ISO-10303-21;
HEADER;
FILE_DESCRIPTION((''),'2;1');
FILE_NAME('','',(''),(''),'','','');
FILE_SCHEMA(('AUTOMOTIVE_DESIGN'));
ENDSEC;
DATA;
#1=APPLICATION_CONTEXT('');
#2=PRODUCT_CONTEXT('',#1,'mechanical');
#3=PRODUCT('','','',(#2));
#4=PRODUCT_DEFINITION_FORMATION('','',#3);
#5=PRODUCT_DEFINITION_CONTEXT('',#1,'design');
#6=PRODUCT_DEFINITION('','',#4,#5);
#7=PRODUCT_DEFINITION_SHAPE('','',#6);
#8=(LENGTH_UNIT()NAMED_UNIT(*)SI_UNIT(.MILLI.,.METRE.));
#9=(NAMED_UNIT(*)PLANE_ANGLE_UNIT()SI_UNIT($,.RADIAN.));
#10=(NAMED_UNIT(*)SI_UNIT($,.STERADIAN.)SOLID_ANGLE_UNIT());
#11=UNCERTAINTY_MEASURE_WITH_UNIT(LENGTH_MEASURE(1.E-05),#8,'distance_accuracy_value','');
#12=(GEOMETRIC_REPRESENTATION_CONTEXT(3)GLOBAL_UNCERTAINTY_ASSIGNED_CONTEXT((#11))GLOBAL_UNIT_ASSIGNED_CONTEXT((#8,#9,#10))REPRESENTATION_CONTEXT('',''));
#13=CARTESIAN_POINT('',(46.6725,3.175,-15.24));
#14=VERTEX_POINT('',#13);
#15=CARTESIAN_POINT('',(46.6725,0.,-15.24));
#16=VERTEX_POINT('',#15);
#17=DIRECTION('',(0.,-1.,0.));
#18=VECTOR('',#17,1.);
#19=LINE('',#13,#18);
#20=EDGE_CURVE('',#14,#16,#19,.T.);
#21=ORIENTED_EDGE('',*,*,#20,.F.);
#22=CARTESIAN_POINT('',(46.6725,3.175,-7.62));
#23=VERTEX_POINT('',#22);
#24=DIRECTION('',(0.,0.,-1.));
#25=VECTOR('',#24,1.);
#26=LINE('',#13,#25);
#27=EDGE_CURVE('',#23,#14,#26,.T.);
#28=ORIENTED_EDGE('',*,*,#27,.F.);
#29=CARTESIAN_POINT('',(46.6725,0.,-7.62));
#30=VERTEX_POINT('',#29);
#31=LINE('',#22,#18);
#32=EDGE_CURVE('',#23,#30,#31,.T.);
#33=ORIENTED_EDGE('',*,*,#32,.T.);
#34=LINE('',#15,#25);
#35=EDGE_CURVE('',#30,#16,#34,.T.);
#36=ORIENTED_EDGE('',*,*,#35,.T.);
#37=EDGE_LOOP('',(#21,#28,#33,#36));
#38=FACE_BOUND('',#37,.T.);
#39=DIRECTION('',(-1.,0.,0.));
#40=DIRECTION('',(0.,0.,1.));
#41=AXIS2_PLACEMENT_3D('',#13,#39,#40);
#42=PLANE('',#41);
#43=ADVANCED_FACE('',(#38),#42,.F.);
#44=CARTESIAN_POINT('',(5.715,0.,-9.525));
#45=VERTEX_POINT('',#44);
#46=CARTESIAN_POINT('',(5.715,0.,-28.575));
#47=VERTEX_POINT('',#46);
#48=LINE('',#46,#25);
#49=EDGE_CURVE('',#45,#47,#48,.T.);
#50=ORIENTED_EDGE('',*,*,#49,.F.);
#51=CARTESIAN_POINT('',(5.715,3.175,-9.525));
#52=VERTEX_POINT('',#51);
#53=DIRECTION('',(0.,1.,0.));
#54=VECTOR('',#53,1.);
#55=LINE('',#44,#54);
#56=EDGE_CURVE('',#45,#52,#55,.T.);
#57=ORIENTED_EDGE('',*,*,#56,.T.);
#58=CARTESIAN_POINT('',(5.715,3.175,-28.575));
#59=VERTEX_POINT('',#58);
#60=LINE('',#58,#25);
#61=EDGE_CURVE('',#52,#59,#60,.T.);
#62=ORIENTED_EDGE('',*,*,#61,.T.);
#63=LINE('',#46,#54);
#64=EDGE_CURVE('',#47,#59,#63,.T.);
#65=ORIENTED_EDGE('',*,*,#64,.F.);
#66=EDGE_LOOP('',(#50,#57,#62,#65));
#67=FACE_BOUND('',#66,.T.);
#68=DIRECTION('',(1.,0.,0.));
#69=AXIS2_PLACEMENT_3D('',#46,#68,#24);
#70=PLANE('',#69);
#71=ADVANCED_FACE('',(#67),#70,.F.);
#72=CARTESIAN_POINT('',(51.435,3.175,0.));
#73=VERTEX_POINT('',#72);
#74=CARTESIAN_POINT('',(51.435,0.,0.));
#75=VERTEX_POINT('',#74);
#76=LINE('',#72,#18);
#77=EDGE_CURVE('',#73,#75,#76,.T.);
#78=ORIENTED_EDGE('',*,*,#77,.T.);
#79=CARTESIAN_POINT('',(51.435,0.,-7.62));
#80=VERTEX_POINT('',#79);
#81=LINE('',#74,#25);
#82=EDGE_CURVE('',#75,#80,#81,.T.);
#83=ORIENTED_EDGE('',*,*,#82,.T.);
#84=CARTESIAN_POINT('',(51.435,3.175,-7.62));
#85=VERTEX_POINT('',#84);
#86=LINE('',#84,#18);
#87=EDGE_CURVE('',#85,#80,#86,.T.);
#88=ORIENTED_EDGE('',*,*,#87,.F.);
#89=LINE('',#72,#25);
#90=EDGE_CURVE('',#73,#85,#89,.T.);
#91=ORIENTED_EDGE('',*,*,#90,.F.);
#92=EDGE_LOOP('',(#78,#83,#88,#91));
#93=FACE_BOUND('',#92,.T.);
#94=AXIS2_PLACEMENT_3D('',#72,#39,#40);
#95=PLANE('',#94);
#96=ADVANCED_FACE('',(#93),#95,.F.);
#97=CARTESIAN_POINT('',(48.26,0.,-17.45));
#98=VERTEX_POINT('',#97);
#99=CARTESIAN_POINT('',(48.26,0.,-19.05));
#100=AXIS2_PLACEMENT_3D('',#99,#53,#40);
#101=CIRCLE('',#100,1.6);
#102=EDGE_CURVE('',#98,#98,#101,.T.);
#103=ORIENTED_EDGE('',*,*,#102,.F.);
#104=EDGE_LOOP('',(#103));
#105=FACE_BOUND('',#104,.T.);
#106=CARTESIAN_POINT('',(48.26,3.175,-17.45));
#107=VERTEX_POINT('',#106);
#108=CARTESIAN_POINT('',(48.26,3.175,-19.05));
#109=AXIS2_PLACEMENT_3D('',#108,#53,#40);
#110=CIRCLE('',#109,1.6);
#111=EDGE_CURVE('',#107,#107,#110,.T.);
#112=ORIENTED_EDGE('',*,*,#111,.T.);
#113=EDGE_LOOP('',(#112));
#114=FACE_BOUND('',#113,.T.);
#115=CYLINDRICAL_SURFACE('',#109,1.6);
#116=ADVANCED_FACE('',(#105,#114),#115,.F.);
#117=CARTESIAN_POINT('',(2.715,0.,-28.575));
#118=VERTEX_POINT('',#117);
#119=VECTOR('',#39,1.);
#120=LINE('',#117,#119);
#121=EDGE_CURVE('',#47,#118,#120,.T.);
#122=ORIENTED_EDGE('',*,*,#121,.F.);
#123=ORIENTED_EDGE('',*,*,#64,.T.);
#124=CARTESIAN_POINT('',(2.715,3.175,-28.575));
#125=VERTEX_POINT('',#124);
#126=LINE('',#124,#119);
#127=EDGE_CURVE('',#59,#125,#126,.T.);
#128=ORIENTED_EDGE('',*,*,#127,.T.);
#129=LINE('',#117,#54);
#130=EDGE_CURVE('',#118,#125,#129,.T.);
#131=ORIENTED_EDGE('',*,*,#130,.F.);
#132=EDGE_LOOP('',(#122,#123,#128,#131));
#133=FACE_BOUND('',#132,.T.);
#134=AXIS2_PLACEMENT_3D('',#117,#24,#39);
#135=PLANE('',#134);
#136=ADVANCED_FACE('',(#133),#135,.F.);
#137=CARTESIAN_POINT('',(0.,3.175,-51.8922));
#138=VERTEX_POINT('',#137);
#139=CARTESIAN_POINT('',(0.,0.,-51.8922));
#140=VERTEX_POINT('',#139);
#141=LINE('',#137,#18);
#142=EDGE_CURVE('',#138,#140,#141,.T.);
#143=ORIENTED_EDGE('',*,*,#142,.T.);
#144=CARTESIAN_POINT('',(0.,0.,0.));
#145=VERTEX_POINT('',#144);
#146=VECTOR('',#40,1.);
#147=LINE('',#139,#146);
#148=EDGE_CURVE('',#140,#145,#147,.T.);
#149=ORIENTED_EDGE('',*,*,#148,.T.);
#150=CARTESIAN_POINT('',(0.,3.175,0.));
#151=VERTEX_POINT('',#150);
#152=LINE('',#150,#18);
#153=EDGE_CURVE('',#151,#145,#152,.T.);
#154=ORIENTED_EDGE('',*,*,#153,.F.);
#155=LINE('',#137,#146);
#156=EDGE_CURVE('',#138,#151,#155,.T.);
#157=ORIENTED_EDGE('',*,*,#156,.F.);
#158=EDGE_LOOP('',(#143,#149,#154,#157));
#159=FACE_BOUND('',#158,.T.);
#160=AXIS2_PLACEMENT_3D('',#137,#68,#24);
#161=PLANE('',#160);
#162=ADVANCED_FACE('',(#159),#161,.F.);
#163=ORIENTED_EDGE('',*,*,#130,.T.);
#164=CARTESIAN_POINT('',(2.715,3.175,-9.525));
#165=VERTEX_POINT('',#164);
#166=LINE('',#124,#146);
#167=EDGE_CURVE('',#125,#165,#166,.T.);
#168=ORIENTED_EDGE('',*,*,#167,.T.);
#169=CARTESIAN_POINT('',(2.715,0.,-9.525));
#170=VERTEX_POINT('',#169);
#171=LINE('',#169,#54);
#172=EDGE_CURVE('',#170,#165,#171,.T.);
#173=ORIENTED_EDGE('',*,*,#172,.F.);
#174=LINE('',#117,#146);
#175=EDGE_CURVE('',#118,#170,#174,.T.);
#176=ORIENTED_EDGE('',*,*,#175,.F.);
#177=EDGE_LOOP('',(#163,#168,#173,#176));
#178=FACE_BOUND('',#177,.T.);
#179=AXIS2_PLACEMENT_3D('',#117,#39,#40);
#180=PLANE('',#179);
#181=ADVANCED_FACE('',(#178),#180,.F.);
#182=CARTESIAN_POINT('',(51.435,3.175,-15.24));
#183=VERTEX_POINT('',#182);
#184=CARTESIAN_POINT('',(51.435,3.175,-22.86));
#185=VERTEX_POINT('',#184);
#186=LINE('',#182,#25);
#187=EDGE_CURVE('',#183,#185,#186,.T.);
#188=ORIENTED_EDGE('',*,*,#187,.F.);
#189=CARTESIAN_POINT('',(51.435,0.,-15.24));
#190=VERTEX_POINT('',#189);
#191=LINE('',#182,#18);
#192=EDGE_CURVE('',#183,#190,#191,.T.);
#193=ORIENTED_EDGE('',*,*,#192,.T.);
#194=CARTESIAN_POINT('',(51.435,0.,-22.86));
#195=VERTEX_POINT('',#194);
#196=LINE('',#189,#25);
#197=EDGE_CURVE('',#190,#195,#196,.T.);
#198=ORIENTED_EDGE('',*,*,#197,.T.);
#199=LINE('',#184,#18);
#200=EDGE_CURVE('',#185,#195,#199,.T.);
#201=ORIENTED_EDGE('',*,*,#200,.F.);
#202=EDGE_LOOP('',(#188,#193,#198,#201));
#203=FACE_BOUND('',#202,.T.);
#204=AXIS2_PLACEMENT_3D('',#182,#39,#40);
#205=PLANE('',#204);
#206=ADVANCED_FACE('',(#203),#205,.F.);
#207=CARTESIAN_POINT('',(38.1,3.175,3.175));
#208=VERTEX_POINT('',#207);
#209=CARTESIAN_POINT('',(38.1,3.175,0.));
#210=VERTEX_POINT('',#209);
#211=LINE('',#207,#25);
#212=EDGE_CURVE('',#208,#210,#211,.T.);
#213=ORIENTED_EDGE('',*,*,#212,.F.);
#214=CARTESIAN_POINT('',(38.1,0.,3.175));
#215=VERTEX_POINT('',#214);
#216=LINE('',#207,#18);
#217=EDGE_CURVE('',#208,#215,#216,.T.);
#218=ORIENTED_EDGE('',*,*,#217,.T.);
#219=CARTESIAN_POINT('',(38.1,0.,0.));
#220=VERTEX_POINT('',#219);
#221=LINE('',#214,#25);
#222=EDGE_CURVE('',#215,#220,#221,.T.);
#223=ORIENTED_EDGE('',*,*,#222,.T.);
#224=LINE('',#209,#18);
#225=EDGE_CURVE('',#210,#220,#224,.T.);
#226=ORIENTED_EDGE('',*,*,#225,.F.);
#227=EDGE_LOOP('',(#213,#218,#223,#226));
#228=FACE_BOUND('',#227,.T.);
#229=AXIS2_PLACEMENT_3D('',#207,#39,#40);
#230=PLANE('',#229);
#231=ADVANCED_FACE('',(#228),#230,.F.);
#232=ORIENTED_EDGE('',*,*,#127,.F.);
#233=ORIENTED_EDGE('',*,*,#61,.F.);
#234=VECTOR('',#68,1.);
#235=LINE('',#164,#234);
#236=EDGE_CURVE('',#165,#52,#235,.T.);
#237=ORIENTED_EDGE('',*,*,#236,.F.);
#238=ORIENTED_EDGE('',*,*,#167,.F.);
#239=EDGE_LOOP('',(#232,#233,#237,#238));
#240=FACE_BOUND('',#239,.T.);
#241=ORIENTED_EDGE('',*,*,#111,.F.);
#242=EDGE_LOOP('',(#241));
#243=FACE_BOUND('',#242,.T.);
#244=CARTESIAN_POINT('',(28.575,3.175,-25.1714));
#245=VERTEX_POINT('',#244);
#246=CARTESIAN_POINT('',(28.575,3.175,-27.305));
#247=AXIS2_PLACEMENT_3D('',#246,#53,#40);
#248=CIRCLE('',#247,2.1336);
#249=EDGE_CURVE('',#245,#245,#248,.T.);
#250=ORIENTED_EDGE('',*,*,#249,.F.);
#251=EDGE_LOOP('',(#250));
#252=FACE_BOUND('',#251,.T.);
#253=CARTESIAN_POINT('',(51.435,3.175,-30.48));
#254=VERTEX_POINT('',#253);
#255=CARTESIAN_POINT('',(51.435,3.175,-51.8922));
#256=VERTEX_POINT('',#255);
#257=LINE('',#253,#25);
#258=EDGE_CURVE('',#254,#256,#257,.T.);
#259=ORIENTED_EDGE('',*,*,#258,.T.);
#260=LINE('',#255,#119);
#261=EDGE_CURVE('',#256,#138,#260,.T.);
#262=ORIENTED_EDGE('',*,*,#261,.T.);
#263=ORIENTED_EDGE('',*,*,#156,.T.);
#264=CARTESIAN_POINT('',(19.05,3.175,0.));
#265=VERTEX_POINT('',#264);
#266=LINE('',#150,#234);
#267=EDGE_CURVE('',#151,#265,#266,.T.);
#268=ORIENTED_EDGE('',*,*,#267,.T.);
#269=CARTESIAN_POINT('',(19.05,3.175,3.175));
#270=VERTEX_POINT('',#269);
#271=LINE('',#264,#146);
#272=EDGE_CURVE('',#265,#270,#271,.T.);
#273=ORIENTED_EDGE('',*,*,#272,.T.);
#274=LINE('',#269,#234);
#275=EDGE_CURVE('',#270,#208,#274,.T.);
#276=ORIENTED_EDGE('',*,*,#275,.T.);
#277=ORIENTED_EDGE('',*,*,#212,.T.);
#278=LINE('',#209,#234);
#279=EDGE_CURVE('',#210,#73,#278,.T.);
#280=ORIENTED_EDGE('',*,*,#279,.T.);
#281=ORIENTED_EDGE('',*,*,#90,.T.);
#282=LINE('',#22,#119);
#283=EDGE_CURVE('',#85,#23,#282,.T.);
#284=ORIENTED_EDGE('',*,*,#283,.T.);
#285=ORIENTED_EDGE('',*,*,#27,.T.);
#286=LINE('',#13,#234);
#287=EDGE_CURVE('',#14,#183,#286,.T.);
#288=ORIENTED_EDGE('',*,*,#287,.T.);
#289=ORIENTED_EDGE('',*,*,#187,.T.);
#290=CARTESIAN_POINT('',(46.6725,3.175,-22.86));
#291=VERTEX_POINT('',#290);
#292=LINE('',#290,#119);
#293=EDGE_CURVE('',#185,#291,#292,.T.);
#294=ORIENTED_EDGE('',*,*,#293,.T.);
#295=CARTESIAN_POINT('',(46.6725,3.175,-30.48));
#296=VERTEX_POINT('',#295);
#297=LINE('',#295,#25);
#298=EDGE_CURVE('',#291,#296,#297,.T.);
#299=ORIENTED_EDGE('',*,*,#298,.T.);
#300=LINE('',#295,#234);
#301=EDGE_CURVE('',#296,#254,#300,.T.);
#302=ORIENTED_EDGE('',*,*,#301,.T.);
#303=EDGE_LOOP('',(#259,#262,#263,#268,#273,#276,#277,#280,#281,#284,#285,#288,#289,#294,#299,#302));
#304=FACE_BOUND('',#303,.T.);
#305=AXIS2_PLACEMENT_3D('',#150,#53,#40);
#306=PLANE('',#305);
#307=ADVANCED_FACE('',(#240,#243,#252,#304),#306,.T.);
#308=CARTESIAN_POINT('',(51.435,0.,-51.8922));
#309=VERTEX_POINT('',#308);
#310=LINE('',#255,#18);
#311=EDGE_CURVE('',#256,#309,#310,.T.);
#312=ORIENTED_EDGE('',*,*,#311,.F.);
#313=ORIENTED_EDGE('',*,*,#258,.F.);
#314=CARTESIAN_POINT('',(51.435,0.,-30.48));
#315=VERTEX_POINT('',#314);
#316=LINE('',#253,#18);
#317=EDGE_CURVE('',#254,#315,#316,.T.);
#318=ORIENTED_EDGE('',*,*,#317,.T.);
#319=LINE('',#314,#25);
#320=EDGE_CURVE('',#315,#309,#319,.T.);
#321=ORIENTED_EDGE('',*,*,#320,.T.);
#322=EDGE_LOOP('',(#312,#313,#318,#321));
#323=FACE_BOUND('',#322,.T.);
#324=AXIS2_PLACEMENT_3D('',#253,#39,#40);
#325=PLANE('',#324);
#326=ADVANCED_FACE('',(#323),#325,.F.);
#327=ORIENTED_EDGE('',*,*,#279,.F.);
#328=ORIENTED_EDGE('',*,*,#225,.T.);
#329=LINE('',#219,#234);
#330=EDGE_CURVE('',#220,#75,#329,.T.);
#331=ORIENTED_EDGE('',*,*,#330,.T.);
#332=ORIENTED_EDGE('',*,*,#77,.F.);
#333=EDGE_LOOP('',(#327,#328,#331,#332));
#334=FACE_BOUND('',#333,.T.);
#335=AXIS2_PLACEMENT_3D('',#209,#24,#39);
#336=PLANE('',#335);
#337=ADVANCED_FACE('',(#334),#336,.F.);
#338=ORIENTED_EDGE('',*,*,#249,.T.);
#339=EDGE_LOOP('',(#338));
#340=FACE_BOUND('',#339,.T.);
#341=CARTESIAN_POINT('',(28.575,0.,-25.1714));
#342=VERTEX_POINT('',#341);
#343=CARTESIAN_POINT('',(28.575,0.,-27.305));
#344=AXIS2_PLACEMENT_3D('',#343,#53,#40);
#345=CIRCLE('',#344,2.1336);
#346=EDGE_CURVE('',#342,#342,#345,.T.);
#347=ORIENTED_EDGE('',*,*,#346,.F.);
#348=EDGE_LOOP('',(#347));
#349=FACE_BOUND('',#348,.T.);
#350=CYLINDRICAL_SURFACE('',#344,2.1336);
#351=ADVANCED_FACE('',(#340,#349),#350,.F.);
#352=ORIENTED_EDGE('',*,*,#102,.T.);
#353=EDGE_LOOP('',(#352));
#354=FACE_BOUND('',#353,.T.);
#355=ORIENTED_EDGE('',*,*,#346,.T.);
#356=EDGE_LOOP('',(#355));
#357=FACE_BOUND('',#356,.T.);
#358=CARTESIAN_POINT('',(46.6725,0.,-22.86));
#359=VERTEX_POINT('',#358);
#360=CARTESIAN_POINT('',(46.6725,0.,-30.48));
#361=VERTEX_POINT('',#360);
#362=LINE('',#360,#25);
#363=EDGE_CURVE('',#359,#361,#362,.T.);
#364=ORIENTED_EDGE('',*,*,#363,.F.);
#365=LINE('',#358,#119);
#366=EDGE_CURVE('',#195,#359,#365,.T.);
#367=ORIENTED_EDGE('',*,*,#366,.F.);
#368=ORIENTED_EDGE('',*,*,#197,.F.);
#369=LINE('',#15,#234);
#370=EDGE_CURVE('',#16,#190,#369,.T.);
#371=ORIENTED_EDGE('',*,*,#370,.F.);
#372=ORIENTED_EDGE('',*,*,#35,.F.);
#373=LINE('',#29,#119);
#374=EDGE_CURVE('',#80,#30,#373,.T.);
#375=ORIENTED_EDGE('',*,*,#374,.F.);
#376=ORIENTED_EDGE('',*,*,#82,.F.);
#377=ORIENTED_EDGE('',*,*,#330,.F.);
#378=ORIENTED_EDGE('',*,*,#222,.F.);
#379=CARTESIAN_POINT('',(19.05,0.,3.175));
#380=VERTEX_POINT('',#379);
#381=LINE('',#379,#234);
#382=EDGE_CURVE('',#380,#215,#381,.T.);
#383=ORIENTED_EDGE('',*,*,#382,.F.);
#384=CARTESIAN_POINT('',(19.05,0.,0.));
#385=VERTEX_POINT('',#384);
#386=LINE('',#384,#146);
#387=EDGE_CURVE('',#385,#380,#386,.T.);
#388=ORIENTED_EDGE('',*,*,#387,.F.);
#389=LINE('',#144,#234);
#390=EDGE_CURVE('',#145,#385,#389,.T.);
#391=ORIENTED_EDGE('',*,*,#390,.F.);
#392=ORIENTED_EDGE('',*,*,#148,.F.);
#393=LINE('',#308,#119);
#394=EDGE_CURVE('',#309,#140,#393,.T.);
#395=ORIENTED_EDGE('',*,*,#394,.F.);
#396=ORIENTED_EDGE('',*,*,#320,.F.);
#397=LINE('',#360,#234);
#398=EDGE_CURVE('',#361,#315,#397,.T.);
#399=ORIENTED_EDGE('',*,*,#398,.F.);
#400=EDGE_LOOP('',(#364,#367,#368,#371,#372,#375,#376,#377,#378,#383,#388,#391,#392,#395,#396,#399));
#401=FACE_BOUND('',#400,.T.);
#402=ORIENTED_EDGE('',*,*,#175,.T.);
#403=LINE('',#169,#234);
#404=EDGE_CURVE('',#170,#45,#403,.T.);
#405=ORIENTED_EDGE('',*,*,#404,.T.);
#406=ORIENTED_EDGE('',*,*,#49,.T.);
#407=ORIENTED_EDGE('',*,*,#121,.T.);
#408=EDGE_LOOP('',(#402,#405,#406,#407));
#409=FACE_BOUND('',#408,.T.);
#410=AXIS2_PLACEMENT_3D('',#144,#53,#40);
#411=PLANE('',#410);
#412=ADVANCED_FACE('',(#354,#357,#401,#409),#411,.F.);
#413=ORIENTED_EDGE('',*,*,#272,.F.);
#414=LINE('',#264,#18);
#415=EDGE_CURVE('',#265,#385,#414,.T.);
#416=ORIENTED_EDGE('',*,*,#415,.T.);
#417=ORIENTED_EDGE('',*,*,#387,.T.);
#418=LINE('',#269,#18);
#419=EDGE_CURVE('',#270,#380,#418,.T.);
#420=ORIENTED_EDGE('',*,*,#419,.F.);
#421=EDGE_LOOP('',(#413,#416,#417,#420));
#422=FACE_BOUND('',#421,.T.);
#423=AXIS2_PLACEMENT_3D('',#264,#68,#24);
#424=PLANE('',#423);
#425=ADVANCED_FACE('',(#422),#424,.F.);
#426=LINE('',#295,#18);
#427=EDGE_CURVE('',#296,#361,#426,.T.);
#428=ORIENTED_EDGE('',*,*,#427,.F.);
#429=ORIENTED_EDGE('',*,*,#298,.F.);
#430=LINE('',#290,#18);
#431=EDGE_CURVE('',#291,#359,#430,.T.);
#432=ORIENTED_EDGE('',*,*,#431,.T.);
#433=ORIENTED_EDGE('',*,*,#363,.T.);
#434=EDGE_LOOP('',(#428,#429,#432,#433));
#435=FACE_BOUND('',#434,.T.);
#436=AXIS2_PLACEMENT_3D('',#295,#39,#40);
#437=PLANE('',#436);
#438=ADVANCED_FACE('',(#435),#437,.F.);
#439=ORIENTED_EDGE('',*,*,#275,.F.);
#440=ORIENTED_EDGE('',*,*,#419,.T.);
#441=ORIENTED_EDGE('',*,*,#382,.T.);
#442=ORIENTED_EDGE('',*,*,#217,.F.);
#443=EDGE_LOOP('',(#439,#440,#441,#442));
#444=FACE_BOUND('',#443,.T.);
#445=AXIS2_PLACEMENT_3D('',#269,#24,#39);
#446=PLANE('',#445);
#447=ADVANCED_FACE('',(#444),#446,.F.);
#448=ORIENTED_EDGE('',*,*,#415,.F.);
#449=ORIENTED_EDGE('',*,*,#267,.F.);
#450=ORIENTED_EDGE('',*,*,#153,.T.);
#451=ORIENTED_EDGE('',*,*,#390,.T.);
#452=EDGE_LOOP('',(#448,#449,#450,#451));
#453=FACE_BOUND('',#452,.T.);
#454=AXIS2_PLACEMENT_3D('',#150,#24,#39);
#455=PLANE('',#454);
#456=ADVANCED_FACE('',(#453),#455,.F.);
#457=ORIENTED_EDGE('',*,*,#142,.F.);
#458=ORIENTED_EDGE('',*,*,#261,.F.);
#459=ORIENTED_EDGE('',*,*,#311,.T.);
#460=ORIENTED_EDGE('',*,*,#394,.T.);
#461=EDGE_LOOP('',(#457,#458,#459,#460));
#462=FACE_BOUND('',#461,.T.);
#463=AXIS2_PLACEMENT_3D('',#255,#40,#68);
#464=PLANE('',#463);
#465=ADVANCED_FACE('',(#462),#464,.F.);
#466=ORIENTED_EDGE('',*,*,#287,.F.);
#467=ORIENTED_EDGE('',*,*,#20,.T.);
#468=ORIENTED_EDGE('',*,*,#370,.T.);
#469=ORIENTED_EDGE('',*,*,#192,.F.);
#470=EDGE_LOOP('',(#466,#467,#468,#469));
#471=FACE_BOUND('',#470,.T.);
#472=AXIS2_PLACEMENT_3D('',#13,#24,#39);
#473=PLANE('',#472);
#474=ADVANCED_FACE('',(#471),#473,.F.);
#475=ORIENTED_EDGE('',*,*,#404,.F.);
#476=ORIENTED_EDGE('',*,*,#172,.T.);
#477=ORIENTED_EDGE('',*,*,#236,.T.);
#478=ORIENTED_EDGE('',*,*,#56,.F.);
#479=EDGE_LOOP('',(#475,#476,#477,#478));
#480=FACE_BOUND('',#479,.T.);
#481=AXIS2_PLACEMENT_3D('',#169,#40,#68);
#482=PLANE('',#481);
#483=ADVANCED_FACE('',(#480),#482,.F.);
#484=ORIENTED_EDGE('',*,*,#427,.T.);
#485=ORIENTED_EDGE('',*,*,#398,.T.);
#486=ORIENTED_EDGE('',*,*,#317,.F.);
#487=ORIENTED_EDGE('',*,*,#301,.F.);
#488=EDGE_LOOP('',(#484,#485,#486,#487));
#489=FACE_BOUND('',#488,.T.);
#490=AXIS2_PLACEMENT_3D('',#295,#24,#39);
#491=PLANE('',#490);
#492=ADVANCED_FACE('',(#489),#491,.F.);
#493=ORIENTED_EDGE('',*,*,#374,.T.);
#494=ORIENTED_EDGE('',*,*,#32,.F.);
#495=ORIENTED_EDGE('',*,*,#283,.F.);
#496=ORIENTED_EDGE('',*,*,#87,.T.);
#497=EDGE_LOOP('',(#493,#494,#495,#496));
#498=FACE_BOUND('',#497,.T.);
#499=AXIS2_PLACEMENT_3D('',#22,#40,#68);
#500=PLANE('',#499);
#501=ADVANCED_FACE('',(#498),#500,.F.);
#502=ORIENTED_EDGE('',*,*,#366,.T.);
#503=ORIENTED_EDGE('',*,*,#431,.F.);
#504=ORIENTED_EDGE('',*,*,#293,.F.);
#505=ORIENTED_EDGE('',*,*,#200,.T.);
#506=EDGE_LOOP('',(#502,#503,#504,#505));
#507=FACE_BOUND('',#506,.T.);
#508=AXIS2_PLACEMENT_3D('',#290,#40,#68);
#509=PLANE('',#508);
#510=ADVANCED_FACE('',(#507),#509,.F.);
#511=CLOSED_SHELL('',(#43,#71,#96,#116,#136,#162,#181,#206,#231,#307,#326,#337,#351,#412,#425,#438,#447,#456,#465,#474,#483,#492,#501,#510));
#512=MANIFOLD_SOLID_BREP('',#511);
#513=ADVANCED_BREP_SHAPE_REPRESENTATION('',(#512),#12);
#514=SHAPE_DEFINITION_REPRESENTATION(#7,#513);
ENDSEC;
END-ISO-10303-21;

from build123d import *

# Parameters (mm, degrees)
BOSS_EXTRUDE1_DEPTH  = 3.175
M3_CLEARANCE_HOLE1_D = 3.2
SKETCH4_R            = 2.1336
CUT_EXTRUDE1_DEPTH   = 74.133031325
SKETCH5_W            = 3
SKETCH5_H            = 19.05
CUT_EXTRUDE2_DEPTH   = 74.133031325


with BuildPart() as part:
    # Sketch1 → Boss-Extrude1 (new body)
    with BuildSketch(Plane(origin=(0, 0, 0), x_dir=(1, 0, 0), z_dir=(0, 1, 0))):
        Polygon((0, 0), (19.05, 0), (19.05, -3.175), (38.1, -3.175), (38.1, 0), (51.435, 0), (51.435, 7.62), (46.6725, 7.62), (46.6725, 15.24), (51.435, 15.24), (51.435, 22.86), (46.6725, 22.86), (46.6725, 30.48), (51.435, 30.48), (51.435, 51.8922), (0, 51.8922), align=None)
    extrude(amount=BOSS_EXTRUDE1_DEPTH)

    # M3 Clearance Hole1 (through all)
    with Locations(Plane(origin=(0, 3.175, 0), x_dir=(1, 0, 0), z_dir=(0, 1, 0))):
        with Locations((48.26, 19.05)):
            Hole(M3_CLEARANCE_HOLE1_D / 2)

    # Sketch4 → Cut-Extrude1 (cut, through all)
    with BuildSketch(Plane(origin=(0, 3.175, 0), x_dir=(1, 0, 0), z_dir=(0, 1, 0))):
        with Locations(Location((28.575, 27.305, 0), (0, 0, 270))):
            Circle(SKETCH4_R)
    extrude(amount=-CUT_EXTRUDE1_DEPTH, mode=Mode.SUBTRACT)

    # Sketch5 → Cut-Extrude2 (cut, through all)
    with BuildSketch(Plane(origin=(0, 3.175, 0), x_dir=(1, 0, 0), z_dir=(0, 1, 0))):
        with Locations((4.215, 19.05)):
            Rectangle(SKETCH5_W, SKETCH5_H)
    extrude(amount=-CUT_EXTRUDE2_DEPTH, mode=Mode.SUBTRACT)


solid = part.part
